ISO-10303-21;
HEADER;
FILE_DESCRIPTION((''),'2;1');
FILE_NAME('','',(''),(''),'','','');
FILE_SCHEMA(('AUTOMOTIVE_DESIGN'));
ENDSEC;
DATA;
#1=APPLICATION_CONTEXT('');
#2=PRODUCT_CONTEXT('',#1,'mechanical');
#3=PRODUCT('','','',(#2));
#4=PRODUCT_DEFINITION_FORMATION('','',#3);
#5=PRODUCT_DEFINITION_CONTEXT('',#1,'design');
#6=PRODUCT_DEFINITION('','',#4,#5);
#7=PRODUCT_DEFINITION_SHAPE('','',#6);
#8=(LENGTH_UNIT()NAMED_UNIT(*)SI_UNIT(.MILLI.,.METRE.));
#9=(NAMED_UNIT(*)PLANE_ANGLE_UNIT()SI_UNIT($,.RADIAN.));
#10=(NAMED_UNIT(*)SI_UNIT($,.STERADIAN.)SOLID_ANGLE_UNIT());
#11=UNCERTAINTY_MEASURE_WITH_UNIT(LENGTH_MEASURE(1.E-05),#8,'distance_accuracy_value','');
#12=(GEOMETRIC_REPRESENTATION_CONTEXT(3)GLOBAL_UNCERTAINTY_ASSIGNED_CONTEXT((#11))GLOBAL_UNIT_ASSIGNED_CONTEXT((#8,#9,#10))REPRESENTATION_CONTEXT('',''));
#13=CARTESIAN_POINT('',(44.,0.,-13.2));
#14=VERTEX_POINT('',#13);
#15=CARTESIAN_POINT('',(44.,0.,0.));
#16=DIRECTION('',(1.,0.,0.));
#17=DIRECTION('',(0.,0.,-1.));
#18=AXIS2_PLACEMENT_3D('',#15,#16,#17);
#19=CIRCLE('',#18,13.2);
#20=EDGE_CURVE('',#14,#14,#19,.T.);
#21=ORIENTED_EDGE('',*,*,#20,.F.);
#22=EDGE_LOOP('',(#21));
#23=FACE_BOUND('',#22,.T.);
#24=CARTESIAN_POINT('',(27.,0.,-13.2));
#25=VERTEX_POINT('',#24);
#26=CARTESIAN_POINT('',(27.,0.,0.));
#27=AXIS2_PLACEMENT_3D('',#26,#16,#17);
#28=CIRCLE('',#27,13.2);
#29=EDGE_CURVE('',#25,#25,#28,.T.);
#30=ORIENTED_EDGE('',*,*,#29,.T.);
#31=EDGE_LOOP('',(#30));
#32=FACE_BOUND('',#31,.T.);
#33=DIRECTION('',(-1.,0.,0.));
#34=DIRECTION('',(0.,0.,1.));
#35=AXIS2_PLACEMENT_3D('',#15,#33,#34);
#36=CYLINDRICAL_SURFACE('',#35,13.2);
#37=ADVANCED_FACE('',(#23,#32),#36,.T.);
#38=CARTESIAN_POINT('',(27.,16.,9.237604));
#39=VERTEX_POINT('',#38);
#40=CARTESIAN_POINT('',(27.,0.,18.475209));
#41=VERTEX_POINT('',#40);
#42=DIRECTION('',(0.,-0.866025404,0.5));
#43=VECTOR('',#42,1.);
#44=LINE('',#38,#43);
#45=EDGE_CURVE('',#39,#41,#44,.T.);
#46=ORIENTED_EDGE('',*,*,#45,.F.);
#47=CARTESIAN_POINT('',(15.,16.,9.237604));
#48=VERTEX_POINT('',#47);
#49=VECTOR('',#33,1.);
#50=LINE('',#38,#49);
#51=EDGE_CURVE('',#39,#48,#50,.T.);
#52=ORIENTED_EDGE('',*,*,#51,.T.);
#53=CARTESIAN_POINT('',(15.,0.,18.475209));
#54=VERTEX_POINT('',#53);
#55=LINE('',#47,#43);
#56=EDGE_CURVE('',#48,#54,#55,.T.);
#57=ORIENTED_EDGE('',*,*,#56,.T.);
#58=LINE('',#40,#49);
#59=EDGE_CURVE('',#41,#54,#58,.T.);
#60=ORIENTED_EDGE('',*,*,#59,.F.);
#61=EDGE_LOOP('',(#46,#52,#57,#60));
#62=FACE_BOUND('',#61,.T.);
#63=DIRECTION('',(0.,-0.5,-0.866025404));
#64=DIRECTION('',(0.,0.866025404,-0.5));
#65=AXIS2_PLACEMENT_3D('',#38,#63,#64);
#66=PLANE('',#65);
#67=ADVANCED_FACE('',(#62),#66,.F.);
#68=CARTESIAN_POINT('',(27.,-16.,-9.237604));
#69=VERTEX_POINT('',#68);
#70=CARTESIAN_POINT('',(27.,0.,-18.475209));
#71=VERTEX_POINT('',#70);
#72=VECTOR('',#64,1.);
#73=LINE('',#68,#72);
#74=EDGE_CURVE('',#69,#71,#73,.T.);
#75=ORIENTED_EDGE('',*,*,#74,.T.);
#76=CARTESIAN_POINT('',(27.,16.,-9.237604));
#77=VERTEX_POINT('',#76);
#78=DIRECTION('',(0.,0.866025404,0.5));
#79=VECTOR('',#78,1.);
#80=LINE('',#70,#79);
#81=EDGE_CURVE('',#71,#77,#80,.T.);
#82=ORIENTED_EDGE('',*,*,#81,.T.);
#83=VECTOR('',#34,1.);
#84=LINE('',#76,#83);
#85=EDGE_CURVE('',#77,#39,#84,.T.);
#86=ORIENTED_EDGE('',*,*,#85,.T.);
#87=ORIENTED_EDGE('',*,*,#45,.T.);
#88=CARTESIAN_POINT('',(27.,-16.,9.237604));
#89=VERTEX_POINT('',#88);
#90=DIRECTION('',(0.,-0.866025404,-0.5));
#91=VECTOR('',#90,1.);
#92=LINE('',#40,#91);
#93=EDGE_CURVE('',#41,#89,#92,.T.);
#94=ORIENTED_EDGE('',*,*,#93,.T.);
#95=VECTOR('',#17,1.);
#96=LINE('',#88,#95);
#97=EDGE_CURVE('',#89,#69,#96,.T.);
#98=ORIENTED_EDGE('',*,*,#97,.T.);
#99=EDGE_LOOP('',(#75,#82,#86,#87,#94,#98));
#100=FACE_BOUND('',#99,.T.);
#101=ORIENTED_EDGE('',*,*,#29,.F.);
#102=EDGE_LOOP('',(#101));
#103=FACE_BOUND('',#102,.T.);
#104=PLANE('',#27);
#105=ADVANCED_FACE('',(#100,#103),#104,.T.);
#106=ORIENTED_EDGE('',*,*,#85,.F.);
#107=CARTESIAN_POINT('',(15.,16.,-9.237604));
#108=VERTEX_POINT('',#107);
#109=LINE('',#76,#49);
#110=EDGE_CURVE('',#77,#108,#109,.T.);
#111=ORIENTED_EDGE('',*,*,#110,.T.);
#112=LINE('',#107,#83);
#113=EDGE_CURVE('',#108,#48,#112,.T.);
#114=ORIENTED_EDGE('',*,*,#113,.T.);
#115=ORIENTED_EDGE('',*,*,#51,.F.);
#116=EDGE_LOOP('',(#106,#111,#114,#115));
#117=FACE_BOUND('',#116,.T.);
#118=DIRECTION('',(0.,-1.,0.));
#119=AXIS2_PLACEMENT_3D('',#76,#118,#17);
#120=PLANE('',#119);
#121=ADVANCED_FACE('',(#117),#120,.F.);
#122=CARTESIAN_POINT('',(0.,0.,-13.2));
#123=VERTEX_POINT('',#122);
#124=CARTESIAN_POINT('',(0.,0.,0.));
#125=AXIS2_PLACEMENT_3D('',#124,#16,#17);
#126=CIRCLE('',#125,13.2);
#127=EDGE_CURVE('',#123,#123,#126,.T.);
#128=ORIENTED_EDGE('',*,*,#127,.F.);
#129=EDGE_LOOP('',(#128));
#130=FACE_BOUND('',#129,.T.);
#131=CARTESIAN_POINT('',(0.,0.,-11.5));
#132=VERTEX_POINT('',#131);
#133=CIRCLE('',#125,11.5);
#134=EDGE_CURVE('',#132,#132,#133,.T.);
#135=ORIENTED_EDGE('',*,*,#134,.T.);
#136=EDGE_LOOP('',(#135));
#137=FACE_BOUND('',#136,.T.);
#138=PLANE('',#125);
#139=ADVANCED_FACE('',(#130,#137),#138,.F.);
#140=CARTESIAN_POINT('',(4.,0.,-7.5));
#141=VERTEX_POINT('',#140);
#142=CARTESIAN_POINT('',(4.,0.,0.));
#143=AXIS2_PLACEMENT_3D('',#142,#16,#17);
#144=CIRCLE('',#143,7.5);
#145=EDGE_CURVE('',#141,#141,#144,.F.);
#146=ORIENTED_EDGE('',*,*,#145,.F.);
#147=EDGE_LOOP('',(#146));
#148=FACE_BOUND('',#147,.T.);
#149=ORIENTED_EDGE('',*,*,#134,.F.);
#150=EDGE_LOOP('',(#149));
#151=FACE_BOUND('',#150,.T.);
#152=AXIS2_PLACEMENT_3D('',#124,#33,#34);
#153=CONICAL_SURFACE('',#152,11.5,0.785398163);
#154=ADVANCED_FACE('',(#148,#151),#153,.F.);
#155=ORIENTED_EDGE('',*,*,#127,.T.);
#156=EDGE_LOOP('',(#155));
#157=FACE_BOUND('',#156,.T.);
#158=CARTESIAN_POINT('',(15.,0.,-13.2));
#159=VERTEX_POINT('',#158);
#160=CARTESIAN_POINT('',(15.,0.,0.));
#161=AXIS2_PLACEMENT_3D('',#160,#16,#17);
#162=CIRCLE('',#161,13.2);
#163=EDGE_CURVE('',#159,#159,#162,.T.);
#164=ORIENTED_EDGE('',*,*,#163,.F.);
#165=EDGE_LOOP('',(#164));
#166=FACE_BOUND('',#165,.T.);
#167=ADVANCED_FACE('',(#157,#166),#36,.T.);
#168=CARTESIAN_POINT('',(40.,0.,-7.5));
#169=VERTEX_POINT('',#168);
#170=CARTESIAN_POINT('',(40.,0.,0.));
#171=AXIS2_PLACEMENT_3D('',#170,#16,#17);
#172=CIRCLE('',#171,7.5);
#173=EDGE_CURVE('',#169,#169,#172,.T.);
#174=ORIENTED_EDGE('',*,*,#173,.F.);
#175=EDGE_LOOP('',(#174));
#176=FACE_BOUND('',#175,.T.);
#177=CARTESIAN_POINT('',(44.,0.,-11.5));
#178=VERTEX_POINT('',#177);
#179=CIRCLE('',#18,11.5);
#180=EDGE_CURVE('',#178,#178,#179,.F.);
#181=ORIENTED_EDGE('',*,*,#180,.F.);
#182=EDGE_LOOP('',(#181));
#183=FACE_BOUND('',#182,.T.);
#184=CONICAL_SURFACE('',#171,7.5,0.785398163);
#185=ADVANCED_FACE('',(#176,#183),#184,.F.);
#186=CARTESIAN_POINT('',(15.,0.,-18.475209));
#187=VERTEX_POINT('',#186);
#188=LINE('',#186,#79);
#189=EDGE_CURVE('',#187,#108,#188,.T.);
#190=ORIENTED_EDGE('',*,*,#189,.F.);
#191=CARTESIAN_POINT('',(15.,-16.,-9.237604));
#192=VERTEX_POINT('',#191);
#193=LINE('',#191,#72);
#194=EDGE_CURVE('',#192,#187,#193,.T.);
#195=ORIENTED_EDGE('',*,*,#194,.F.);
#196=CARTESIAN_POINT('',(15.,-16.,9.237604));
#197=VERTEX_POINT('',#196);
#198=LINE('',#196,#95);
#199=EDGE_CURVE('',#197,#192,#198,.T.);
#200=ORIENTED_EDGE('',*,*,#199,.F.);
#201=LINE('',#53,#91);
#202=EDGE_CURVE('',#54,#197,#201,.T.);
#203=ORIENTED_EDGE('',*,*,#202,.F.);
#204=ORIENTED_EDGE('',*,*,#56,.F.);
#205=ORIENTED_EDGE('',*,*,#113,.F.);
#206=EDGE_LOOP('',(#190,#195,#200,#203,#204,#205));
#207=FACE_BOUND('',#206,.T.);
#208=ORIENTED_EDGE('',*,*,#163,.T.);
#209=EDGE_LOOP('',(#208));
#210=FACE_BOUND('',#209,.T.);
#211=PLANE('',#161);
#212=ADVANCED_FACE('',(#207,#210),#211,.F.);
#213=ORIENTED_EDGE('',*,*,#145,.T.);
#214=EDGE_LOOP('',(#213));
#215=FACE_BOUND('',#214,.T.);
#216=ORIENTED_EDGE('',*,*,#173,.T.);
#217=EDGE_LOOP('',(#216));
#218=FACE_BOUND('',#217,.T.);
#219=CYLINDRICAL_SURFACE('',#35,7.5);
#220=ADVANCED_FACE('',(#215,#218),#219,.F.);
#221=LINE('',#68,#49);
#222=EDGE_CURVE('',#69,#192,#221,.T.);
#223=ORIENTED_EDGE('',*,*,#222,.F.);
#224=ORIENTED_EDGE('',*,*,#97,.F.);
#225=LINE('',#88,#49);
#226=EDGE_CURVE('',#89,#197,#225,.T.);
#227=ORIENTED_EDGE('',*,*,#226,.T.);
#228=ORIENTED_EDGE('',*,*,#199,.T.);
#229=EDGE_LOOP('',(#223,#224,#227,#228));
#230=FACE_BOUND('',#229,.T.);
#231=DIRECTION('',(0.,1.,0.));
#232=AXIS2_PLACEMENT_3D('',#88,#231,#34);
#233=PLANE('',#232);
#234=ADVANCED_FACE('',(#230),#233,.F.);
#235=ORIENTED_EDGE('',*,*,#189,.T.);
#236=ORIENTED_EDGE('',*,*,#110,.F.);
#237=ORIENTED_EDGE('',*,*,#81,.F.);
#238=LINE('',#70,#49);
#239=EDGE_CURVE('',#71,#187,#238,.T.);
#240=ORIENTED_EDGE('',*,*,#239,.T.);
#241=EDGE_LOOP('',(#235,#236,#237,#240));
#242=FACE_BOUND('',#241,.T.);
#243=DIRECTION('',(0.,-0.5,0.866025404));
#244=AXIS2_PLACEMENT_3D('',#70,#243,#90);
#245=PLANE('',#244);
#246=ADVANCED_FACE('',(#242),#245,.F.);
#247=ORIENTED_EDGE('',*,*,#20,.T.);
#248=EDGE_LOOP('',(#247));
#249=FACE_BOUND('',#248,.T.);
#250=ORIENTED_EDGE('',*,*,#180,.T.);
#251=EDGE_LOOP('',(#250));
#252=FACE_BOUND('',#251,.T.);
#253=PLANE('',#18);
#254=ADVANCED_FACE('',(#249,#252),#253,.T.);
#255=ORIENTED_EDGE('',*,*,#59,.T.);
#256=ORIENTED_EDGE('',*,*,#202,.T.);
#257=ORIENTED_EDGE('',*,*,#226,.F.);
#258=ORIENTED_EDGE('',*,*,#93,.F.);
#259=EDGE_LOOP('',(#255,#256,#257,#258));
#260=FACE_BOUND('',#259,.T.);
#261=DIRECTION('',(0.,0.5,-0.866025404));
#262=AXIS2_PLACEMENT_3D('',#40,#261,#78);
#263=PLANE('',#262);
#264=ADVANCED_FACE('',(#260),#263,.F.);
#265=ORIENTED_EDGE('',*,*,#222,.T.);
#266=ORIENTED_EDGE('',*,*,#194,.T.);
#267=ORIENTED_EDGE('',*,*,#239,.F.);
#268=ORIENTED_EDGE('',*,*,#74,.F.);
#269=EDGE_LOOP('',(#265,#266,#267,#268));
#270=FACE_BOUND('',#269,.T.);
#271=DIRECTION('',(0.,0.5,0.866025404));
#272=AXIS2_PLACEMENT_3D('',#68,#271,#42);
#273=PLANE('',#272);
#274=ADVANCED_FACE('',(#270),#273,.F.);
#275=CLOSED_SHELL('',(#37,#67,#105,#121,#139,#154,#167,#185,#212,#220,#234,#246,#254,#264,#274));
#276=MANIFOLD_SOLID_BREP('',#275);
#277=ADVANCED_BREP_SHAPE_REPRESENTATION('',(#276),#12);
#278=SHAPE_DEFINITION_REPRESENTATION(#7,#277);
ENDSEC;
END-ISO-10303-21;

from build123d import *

# Parameters (mm, degrees)
SZKIC1_R                    = 13.2
SZKIC1_R_2                  = 7.5
DODANIE_WYCI_GNI_CIE1_DEPTH = 44
DODANIE_WYCI_GNI_CIE2_DEPTH = 12
SFAZOWANIE1_SIZE            = 4
SZKIC8_R                    = 7.5
WYTNIJ_WYCI_GNI_CIE1_DEPTH  = 12
SFAZOWANIE2_SIZE            = 4


with BuildPart() as part:
    # Szkic1 → Dodanie-wyciągnięcie1 (new body)
    with BuildSketch(Plane(origin=(0, 0, 0), x_dir=(0, 0, -1), z_dir=(1, 0, 0))):
        Circle(SZKIC1_R)
        Circle(SZKIC1_R_2, mode=Mode.SUBTRACT)
    extrude(amount=DODANIE_WYCI_GNI_CIE1_DEPTH)

    # Szkic6 → Dodanie-wyciągnięcie2 (add)
    with BuildSketch(Plane(origin=(15, 0, 0), x_dir=(0, 0, -1), z_dir=(1, 0, 0))):
        Polygon((18.475208614, 0), (9.237604307, 16), (-9.237604307, 16), (-18.475208614, 0), (-9.237604307, -16), (9.237604307, -16), align=None)
    extrude(amount=DODANIE_WYCI_GNI_CIE2_DEPTH)

    # Sfazowanie1
    sfazowanie1_edges = [part.edges().sort_by_distance(p)[0] for p in [
        (44, 0, 7.5),
    ]]
    chamfer(sfazowanie1_edges, length=SFAZOWANIE1_SIZE)

    # Szkic8 → Wytnij-wyciągnięcie1 (cut)
    with BuildSketch(Plane.ZY.offset(-15)):
        with Locations(Location((0, 0, 0), (0, 0, 180))):
            Circle(SZKIC8_R)
    extrude(amount=-WYTNIJ_WYCI_GNI_CIE1_DEPTH, mode=Mode.SUBTRACT)

    # Sfazowanie2
    sfazowanie2_edges = [part.edges().sort_by_distance(p)[0] for p in [
        (0, 0, 7.5),
    ]]
    chamfer(sfazowanie2_edges, length=SFAZOWANIE2_SIZE)


solid = part.part
